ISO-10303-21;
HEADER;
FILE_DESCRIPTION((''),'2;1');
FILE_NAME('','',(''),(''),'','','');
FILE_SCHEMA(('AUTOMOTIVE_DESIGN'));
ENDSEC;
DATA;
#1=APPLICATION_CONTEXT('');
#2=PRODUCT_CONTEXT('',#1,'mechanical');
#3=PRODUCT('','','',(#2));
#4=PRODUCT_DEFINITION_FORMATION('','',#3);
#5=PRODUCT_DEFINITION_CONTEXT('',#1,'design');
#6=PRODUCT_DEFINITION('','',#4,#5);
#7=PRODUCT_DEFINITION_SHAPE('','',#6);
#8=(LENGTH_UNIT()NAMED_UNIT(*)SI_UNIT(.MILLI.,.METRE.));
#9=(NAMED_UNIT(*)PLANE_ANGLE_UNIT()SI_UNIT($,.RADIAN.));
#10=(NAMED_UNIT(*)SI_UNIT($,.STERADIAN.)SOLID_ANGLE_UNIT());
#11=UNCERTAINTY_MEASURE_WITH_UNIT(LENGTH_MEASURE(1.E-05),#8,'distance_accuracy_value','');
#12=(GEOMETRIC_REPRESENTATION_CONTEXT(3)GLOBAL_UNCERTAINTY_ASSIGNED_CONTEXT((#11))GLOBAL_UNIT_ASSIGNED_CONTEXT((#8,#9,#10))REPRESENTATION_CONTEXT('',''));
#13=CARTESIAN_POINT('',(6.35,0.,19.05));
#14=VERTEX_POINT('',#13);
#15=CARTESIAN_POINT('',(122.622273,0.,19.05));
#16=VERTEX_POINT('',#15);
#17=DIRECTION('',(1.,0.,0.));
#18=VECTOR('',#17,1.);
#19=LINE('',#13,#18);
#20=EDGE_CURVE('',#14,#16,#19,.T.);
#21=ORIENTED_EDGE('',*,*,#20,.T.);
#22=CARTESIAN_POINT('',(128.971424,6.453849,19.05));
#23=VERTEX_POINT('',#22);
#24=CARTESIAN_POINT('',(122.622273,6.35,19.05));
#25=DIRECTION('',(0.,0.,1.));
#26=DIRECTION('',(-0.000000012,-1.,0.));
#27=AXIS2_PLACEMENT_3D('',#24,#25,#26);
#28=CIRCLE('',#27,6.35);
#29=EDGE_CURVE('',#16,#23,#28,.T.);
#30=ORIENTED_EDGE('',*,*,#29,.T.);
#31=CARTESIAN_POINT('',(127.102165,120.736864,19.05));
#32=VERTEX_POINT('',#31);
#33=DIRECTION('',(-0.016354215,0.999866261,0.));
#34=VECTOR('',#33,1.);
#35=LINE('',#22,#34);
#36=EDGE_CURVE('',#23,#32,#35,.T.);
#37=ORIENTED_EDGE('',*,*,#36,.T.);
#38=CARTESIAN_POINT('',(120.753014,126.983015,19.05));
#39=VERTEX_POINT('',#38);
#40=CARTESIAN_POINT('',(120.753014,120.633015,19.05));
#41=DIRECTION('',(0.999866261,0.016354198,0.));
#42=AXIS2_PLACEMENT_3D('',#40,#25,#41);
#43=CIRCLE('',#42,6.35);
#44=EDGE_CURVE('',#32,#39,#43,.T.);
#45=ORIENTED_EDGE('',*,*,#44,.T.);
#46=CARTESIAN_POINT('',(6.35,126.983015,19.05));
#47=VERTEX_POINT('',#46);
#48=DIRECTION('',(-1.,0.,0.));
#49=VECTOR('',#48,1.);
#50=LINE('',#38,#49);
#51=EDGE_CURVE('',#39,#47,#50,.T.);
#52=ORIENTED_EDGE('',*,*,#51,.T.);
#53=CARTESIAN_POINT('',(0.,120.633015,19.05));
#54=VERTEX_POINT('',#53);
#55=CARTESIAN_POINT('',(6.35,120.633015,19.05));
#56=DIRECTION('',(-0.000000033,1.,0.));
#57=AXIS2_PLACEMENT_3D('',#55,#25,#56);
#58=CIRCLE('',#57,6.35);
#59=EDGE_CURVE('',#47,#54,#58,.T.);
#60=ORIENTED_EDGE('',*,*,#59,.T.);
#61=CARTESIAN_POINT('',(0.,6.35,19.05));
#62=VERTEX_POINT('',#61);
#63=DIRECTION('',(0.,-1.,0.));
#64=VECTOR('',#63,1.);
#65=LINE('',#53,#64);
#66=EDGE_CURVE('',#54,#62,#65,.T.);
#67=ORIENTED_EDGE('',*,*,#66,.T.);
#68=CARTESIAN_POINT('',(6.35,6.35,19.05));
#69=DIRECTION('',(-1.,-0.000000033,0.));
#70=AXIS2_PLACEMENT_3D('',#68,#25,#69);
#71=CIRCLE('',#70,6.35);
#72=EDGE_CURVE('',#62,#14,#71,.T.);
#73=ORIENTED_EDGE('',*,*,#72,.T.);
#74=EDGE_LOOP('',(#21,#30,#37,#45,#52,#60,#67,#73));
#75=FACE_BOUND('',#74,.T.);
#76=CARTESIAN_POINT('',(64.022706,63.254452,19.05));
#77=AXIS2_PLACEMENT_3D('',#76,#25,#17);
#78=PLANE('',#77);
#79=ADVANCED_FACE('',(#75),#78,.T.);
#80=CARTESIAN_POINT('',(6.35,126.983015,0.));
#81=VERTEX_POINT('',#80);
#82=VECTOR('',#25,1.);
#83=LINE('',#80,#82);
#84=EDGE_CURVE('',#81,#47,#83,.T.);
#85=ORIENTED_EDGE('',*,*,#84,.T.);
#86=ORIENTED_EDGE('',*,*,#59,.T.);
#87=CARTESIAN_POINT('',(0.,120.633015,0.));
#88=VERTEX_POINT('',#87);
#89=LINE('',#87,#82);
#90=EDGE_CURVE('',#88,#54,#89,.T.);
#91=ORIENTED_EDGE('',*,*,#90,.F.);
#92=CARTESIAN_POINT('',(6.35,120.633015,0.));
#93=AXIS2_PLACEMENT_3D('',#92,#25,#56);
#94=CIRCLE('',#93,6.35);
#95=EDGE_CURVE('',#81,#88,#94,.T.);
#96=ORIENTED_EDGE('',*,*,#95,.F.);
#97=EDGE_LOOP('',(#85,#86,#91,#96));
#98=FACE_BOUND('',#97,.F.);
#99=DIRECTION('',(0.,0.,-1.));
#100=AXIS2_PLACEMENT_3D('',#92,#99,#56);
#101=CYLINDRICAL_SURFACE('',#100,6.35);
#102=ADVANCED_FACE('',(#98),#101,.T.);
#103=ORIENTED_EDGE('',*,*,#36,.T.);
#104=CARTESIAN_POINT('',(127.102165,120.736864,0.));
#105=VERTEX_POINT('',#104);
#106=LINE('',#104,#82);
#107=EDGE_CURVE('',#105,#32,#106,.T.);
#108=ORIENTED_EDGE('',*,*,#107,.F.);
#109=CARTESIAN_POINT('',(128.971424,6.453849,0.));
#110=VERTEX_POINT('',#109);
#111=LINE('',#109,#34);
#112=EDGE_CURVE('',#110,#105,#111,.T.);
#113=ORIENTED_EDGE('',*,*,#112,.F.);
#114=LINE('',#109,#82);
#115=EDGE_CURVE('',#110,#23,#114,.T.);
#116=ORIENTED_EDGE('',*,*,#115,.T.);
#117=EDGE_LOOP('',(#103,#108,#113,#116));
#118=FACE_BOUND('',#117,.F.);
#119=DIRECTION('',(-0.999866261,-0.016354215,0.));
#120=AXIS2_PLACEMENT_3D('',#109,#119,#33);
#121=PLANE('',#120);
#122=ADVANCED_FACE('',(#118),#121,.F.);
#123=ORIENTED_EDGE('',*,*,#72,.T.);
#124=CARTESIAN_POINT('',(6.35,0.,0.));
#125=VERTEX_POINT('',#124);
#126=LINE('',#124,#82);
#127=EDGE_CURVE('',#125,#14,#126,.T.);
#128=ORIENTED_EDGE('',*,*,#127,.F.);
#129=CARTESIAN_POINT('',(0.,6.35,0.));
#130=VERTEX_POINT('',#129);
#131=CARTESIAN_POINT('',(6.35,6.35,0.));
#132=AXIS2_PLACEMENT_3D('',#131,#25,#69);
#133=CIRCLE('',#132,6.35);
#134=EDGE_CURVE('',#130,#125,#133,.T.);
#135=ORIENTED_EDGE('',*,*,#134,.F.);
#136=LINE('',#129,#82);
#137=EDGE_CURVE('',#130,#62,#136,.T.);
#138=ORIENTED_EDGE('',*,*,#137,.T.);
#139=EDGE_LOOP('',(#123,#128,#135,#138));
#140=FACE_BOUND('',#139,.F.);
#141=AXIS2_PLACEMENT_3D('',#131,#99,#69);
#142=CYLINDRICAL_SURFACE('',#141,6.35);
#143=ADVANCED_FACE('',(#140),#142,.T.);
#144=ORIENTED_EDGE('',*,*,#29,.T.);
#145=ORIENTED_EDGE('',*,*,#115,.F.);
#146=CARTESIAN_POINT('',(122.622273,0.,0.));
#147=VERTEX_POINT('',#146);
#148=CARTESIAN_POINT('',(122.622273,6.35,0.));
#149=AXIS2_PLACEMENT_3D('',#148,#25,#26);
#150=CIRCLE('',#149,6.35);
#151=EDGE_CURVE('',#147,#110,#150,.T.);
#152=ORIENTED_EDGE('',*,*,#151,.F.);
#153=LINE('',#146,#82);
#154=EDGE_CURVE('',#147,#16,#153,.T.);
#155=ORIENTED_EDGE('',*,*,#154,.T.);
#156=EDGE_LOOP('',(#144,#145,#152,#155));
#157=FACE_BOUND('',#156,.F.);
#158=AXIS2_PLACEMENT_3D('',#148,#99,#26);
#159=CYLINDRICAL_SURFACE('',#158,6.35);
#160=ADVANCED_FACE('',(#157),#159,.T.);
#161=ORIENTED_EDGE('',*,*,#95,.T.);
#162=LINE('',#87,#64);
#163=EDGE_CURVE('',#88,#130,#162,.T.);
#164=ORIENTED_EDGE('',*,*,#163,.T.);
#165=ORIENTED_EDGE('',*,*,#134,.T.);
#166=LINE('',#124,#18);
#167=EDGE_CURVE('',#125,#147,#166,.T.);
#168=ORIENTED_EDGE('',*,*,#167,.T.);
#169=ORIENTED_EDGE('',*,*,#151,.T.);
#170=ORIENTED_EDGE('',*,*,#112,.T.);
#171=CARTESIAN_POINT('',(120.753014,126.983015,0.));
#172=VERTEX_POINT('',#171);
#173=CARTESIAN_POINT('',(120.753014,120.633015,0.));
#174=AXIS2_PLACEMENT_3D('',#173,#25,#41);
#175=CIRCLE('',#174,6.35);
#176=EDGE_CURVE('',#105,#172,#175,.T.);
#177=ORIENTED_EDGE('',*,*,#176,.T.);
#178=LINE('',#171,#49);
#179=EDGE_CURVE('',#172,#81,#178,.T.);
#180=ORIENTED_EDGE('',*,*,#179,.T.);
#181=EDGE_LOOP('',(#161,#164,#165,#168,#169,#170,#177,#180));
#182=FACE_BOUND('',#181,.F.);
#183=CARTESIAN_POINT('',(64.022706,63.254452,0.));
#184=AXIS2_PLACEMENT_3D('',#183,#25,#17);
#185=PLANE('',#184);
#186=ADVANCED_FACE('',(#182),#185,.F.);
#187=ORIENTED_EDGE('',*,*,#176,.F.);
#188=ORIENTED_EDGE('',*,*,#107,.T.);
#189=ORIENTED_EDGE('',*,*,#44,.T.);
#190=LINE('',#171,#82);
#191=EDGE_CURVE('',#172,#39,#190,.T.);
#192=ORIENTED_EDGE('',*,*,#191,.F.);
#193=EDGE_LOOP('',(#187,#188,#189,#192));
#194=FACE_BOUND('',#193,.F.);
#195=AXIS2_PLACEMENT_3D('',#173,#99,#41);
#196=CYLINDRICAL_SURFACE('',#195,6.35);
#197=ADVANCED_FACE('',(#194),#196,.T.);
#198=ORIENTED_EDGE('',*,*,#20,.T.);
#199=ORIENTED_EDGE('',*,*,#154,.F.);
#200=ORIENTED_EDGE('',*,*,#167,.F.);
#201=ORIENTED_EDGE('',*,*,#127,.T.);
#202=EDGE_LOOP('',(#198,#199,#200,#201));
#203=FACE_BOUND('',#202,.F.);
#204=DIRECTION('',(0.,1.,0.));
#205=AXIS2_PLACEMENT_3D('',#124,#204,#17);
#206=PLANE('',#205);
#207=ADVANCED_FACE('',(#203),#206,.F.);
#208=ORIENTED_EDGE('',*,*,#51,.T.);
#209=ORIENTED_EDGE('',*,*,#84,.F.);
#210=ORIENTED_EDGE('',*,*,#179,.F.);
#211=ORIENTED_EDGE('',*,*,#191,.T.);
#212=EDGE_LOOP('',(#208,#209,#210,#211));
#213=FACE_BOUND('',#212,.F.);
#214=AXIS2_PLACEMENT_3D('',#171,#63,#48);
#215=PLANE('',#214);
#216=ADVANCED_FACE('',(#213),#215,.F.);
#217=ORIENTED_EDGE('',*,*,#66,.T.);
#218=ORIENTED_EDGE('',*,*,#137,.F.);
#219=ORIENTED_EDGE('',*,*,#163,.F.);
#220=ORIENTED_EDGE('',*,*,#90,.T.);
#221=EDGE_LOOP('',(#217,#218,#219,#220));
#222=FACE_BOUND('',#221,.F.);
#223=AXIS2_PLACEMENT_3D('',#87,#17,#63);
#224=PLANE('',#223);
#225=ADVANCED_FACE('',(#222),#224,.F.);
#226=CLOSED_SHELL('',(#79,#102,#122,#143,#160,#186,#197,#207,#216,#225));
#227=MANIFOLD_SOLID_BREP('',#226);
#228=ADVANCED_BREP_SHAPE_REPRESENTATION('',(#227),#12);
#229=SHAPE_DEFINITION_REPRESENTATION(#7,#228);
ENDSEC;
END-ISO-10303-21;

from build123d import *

# Parameters (mm, degrees)
F1_DEPTH = 19.05


with BuildPart() as f1:
    # F0 (on Top) → F1 (new body)
    with BuildSketch(Plane.XY):
        with BuildLine():
            ThreePointArc((0, 6.35), (1.859872, 1.859872), (6.35, 0))
            Line((6.35, 0), (122.622273, 0))
            ThreePointArc((122.622273, 0), (127.148969, 1.89674), (128.971424, 6.453849))
            Line((128.971424, 6.453849), (127.102165, 120.736864))
            ThreePointArc((127.102165, 120.736864), (125.206274, 125.159711), (120.753014, 126.983015))
            Line((120.753014, 126.983015), (6.35, 126.983015))
            ThreePointArc((6.35, 126.983015), (1.859872, 125.123143), (0, 120.633015))
            Line((0, 120.633015), (0, 6.35))
        make_face()
    extrude(amount=F1_DEPTH)


solid = f1.part
